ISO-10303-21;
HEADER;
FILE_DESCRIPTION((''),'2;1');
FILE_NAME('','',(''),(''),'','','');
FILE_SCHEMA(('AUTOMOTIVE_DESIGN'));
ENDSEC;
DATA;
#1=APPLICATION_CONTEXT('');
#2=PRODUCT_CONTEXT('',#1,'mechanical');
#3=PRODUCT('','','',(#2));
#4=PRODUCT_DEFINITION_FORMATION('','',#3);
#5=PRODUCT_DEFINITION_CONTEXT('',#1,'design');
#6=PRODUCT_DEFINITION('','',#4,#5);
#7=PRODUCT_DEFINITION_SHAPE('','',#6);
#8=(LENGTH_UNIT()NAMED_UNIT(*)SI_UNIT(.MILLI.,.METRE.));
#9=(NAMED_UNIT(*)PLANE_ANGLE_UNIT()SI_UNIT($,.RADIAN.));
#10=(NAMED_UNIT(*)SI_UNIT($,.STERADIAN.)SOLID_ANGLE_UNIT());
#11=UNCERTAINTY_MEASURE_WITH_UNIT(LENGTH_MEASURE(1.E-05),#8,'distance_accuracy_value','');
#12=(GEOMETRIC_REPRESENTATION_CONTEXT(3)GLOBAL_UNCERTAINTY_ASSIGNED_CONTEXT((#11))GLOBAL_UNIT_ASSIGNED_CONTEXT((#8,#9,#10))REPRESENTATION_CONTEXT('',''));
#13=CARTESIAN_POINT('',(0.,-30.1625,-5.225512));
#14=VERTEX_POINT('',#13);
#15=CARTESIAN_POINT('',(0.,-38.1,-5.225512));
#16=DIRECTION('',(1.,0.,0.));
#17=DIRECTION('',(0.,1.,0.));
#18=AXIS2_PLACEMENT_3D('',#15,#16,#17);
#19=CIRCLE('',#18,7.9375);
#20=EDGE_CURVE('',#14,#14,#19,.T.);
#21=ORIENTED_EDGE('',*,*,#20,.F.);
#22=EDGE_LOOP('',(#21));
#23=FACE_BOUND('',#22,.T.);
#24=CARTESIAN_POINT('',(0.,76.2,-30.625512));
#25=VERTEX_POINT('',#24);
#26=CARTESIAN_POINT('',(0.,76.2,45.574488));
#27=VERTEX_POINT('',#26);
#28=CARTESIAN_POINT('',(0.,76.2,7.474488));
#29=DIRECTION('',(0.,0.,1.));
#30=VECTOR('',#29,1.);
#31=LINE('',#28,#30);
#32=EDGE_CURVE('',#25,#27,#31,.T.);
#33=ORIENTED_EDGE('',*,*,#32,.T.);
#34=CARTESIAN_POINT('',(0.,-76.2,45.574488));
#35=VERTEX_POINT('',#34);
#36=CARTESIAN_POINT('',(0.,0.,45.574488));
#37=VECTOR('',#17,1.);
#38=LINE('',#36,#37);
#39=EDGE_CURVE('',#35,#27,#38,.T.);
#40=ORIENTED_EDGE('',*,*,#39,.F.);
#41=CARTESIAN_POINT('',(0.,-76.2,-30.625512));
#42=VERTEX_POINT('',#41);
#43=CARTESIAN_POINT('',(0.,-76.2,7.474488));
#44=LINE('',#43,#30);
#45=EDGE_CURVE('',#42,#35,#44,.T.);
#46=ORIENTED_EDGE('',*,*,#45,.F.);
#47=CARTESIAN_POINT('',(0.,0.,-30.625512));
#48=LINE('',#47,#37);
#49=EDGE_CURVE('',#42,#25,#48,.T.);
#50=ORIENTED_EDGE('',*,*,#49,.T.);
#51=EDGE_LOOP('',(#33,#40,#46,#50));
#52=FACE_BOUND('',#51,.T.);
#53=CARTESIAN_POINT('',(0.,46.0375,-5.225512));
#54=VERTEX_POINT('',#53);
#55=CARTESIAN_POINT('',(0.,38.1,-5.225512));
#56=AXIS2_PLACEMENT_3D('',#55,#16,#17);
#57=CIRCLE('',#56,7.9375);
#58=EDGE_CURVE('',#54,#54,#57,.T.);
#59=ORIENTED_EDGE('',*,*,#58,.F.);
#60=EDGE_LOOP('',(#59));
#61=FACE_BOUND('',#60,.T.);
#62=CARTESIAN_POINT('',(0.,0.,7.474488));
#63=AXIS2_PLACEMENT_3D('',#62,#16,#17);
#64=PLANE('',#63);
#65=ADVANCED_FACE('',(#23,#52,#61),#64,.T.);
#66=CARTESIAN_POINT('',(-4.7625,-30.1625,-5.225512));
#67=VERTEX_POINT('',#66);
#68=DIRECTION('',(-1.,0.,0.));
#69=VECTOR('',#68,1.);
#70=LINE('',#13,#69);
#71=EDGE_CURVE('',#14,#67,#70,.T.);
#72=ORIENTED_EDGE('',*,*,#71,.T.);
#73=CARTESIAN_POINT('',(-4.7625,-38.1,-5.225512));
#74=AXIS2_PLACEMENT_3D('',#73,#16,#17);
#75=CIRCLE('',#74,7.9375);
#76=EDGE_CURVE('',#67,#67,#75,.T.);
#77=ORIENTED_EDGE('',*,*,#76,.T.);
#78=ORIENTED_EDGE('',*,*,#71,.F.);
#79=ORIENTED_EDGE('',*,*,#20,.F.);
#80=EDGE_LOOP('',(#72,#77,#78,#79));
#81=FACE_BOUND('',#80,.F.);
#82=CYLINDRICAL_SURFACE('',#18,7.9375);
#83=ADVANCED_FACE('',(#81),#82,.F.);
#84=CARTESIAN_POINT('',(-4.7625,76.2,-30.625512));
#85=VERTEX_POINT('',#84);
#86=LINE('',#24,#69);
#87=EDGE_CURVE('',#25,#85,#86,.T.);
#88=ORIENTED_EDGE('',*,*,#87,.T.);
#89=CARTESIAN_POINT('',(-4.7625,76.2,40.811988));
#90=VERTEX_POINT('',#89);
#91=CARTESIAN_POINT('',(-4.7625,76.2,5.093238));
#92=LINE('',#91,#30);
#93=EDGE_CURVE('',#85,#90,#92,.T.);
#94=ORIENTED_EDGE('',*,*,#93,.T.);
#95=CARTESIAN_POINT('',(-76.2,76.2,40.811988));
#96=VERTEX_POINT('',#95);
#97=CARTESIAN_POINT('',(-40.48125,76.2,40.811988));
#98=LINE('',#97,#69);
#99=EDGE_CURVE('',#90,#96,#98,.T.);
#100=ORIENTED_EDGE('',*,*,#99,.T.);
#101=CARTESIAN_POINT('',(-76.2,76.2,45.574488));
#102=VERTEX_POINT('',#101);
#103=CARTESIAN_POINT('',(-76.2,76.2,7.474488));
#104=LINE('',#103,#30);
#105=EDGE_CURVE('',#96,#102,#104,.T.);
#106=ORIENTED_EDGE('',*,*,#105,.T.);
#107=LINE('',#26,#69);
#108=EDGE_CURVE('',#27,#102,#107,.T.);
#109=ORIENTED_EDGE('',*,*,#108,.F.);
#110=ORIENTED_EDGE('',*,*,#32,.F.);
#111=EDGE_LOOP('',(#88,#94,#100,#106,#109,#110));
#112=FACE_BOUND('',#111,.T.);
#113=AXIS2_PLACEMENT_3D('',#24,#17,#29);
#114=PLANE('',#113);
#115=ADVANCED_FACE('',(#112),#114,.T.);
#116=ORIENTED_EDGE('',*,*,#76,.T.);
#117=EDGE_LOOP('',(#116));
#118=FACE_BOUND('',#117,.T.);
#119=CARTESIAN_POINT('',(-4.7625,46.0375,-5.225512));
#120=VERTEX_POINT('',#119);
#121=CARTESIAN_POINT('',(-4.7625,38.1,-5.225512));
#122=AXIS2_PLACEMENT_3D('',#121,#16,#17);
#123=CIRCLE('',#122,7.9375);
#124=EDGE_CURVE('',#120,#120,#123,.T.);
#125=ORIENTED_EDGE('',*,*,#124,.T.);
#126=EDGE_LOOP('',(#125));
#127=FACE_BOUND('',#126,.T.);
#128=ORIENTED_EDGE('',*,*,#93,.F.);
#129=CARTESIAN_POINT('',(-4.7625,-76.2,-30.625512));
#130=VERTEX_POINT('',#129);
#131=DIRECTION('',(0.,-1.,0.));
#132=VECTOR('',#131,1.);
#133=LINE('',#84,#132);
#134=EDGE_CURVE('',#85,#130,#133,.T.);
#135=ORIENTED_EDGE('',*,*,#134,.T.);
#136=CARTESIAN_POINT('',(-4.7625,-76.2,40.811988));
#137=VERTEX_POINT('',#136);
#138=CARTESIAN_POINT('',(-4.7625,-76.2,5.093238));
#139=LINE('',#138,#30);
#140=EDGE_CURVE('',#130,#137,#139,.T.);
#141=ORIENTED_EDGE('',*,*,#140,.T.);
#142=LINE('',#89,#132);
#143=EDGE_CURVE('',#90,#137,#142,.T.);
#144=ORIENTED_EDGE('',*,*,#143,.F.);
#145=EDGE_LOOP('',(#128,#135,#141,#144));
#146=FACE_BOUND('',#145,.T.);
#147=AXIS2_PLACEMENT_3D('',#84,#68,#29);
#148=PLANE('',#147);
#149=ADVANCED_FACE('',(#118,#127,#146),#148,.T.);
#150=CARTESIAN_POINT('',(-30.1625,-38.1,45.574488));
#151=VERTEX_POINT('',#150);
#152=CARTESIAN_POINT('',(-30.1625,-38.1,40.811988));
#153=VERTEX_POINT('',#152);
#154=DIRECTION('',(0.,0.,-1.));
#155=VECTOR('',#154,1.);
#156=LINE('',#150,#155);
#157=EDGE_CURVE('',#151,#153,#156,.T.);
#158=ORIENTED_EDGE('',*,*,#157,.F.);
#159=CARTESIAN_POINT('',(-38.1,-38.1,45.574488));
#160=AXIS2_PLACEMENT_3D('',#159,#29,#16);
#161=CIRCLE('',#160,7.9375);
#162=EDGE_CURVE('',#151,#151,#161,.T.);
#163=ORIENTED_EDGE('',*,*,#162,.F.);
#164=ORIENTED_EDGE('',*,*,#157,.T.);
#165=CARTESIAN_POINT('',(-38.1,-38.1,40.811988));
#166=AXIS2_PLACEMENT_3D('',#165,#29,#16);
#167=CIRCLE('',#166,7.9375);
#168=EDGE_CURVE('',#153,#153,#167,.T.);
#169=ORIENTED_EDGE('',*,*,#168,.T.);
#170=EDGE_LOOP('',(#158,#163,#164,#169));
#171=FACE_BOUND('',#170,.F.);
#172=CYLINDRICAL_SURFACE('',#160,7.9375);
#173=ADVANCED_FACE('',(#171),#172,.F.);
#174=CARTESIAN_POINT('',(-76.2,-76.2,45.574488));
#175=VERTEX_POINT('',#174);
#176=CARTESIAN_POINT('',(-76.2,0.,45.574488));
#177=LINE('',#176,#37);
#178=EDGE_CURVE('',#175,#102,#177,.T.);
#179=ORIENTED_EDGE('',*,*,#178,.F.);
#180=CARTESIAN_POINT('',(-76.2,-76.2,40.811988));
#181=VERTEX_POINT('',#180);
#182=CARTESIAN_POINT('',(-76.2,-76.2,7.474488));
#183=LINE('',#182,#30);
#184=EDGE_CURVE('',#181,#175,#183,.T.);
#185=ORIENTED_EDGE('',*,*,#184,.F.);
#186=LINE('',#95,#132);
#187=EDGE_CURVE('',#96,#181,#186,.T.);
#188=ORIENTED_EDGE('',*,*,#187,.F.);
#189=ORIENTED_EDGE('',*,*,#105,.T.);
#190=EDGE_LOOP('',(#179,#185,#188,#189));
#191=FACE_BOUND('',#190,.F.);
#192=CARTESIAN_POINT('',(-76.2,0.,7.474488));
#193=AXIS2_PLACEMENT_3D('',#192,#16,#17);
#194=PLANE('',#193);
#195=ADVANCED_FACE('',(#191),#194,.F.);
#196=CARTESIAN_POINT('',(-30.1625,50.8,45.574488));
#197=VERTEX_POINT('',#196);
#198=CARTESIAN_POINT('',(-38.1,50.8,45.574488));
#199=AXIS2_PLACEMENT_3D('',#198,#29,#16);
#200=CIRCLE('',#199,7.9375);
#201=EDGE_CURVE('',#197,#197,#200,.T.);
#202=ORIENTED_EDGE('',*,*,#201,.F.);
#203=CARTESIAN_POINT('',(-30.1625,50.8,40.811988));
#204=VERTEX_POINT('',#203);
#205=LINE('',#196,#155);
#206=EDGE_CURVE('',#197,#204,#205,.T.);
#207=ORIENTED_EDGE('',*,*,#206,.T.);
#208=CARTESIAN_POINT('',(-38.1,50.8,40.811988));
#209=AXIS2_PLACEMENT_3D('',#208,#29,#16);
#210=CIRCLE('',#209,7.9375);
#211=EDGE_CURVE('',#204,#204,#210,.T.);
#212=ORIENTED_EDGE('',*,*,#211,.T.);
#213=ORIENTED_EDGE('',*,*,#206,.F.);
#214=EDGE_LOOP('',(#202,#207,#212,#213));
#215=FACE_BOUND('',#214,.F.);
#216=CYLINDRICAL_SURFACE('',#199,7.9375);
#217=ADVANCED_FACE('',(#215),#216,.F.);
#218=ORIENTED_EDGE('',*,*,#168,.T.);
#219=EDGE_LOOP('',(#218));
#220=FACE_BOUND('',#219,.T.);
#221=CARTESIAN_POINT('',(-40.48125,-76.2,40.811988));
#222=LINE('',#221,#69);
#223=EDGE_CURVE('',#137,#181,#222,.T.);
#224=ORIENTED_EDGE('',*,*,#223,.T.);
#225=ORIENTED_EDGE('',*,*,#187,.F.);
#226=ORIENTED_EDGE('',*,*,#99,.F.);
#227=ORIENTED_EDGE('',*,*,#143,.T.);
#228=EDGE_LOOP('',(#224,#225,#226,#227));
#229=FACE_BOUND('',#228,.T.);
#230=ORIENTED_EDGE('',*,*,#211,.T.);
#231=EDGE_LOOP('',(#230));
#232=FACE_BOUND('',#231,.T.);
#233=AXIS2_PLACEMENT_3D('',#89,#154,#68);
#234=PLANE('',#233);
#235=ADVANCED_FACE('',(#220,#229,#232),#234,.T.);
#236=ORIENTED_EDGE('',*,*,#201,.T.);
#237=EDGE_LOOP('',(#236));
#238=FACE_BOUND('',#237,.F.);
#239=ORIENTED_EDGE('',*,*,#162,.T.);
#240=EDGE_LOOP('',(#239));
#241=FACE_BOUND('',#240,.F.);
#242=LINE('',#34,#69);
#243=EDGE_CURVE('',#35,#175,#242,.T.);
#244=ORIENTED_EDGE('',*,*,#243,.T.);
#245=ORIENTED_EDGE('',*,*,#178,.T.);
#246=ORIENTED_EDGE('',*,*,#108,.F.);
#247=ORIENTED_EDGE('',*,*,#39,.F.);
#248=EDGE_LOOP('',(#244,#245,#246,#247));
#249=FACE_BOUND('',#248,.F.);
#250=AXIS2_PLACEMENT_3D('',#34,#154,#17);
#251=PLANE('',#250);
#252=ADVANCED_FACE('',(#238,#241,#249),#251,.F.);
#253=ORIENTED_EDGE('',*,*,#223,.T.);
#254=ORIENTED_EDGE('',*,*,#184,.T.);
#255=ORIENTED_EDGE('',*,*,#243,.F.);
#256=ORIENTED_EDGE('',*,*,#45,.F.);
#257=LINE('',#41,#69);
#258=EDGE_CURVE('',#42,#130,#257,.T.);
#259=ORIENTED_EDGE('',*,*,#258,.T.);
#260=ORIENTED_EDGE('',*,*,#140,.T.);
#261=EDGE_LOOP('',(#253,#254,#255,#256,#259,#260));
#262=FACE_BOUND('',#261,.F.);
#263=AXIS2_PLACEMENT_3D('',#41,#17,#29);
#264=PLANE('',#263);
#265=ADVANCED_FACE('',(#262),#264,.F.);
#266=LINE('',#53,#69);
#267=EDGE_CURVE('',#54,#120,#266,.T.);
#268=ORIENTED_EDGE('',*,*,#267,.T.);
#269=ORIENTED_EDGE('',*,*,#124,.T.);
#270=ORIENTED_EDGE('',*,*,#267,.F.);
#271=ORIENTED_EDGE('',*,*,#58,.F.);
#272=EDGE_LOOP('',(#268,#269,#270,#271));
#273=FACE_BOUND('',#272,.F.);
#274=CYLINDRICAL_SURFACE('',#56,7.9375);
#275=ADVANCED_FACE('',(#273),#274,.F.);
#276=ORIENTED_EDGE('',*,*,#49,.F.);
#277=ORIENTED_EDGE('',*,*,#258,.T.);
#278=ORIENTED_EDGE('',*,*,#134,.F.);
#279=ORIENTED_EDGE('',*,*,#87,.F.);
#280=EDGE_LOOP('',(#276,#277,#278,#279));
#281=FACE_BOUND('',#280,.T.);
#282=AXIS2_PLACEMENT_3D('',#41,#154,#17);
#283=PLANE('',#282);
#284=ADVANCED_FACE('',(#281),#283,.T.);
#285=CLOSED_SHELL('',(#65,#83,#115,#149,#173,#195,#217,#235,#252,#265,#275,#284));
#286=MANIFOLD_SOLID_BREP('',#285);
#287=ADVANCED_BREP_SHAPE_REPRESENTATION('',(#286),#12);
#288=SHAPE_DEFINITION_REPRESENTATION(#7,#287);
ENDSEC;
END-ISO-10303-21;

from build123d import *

# Parameters (mm, degrees)
F0_W     = 152.4
F0_H     = 76.2
F1_DEPTH = 76.2
F2_W     = 71.4375
F2_H     = 71.4375
F3_DEPTH = 152.4
F4_R     = 7.9375
F5_DEPTH = 4.7625
F6_R     = 7.9375
F7_DEPTH = 4.7625


with BuildPart() as f1:
    # F0 (on Right) → F1 (new body)
    with BuildSketch(Plane.YZ):
        with Locations((0, 7.474488)):
            Rectangle(F0_W, F0_H)
    extrude(amount=-F1_DEPTH)

    # F2 (on face) → F3 (cut)
    with BuildSketch(Plane(origin=(0, 76.2, 0), x_dir=(-1, 0, 0), z_dir=(0, 1, 0))):
        with Locations((40.48125, 5.093238)):
            Rectangle(F2_W, F2_H)
    extrude(amount=-F3_DEPTH, mode=Mode.SUBTRACT)

    # F4 (on face) → F5 (cut, through all)
    with BuildSketch(Plane.YZ):
        with Locations((-38.1, -5.225512)):
            Circle(F4_R)
        with Locations((38.1, -5.225512)):
            Circle(F4_R)
    extrude(amount=-F5_DEPTH, mode=Mode.SUBTRACT)

    # F6 (on face) → F7 (cut, through all)
    with BuildSketch(Plane.XY.offset(45.574488)):
        with Locations((-38.1, 50.8)):
            Circle(F6_R)
        with Locations((-38.1, -38.1)):
            Circle(F6_R)
    extrude(amount=-F7_DEPTH, mode=Mode.SUBTRACT)


solid = f1.part
